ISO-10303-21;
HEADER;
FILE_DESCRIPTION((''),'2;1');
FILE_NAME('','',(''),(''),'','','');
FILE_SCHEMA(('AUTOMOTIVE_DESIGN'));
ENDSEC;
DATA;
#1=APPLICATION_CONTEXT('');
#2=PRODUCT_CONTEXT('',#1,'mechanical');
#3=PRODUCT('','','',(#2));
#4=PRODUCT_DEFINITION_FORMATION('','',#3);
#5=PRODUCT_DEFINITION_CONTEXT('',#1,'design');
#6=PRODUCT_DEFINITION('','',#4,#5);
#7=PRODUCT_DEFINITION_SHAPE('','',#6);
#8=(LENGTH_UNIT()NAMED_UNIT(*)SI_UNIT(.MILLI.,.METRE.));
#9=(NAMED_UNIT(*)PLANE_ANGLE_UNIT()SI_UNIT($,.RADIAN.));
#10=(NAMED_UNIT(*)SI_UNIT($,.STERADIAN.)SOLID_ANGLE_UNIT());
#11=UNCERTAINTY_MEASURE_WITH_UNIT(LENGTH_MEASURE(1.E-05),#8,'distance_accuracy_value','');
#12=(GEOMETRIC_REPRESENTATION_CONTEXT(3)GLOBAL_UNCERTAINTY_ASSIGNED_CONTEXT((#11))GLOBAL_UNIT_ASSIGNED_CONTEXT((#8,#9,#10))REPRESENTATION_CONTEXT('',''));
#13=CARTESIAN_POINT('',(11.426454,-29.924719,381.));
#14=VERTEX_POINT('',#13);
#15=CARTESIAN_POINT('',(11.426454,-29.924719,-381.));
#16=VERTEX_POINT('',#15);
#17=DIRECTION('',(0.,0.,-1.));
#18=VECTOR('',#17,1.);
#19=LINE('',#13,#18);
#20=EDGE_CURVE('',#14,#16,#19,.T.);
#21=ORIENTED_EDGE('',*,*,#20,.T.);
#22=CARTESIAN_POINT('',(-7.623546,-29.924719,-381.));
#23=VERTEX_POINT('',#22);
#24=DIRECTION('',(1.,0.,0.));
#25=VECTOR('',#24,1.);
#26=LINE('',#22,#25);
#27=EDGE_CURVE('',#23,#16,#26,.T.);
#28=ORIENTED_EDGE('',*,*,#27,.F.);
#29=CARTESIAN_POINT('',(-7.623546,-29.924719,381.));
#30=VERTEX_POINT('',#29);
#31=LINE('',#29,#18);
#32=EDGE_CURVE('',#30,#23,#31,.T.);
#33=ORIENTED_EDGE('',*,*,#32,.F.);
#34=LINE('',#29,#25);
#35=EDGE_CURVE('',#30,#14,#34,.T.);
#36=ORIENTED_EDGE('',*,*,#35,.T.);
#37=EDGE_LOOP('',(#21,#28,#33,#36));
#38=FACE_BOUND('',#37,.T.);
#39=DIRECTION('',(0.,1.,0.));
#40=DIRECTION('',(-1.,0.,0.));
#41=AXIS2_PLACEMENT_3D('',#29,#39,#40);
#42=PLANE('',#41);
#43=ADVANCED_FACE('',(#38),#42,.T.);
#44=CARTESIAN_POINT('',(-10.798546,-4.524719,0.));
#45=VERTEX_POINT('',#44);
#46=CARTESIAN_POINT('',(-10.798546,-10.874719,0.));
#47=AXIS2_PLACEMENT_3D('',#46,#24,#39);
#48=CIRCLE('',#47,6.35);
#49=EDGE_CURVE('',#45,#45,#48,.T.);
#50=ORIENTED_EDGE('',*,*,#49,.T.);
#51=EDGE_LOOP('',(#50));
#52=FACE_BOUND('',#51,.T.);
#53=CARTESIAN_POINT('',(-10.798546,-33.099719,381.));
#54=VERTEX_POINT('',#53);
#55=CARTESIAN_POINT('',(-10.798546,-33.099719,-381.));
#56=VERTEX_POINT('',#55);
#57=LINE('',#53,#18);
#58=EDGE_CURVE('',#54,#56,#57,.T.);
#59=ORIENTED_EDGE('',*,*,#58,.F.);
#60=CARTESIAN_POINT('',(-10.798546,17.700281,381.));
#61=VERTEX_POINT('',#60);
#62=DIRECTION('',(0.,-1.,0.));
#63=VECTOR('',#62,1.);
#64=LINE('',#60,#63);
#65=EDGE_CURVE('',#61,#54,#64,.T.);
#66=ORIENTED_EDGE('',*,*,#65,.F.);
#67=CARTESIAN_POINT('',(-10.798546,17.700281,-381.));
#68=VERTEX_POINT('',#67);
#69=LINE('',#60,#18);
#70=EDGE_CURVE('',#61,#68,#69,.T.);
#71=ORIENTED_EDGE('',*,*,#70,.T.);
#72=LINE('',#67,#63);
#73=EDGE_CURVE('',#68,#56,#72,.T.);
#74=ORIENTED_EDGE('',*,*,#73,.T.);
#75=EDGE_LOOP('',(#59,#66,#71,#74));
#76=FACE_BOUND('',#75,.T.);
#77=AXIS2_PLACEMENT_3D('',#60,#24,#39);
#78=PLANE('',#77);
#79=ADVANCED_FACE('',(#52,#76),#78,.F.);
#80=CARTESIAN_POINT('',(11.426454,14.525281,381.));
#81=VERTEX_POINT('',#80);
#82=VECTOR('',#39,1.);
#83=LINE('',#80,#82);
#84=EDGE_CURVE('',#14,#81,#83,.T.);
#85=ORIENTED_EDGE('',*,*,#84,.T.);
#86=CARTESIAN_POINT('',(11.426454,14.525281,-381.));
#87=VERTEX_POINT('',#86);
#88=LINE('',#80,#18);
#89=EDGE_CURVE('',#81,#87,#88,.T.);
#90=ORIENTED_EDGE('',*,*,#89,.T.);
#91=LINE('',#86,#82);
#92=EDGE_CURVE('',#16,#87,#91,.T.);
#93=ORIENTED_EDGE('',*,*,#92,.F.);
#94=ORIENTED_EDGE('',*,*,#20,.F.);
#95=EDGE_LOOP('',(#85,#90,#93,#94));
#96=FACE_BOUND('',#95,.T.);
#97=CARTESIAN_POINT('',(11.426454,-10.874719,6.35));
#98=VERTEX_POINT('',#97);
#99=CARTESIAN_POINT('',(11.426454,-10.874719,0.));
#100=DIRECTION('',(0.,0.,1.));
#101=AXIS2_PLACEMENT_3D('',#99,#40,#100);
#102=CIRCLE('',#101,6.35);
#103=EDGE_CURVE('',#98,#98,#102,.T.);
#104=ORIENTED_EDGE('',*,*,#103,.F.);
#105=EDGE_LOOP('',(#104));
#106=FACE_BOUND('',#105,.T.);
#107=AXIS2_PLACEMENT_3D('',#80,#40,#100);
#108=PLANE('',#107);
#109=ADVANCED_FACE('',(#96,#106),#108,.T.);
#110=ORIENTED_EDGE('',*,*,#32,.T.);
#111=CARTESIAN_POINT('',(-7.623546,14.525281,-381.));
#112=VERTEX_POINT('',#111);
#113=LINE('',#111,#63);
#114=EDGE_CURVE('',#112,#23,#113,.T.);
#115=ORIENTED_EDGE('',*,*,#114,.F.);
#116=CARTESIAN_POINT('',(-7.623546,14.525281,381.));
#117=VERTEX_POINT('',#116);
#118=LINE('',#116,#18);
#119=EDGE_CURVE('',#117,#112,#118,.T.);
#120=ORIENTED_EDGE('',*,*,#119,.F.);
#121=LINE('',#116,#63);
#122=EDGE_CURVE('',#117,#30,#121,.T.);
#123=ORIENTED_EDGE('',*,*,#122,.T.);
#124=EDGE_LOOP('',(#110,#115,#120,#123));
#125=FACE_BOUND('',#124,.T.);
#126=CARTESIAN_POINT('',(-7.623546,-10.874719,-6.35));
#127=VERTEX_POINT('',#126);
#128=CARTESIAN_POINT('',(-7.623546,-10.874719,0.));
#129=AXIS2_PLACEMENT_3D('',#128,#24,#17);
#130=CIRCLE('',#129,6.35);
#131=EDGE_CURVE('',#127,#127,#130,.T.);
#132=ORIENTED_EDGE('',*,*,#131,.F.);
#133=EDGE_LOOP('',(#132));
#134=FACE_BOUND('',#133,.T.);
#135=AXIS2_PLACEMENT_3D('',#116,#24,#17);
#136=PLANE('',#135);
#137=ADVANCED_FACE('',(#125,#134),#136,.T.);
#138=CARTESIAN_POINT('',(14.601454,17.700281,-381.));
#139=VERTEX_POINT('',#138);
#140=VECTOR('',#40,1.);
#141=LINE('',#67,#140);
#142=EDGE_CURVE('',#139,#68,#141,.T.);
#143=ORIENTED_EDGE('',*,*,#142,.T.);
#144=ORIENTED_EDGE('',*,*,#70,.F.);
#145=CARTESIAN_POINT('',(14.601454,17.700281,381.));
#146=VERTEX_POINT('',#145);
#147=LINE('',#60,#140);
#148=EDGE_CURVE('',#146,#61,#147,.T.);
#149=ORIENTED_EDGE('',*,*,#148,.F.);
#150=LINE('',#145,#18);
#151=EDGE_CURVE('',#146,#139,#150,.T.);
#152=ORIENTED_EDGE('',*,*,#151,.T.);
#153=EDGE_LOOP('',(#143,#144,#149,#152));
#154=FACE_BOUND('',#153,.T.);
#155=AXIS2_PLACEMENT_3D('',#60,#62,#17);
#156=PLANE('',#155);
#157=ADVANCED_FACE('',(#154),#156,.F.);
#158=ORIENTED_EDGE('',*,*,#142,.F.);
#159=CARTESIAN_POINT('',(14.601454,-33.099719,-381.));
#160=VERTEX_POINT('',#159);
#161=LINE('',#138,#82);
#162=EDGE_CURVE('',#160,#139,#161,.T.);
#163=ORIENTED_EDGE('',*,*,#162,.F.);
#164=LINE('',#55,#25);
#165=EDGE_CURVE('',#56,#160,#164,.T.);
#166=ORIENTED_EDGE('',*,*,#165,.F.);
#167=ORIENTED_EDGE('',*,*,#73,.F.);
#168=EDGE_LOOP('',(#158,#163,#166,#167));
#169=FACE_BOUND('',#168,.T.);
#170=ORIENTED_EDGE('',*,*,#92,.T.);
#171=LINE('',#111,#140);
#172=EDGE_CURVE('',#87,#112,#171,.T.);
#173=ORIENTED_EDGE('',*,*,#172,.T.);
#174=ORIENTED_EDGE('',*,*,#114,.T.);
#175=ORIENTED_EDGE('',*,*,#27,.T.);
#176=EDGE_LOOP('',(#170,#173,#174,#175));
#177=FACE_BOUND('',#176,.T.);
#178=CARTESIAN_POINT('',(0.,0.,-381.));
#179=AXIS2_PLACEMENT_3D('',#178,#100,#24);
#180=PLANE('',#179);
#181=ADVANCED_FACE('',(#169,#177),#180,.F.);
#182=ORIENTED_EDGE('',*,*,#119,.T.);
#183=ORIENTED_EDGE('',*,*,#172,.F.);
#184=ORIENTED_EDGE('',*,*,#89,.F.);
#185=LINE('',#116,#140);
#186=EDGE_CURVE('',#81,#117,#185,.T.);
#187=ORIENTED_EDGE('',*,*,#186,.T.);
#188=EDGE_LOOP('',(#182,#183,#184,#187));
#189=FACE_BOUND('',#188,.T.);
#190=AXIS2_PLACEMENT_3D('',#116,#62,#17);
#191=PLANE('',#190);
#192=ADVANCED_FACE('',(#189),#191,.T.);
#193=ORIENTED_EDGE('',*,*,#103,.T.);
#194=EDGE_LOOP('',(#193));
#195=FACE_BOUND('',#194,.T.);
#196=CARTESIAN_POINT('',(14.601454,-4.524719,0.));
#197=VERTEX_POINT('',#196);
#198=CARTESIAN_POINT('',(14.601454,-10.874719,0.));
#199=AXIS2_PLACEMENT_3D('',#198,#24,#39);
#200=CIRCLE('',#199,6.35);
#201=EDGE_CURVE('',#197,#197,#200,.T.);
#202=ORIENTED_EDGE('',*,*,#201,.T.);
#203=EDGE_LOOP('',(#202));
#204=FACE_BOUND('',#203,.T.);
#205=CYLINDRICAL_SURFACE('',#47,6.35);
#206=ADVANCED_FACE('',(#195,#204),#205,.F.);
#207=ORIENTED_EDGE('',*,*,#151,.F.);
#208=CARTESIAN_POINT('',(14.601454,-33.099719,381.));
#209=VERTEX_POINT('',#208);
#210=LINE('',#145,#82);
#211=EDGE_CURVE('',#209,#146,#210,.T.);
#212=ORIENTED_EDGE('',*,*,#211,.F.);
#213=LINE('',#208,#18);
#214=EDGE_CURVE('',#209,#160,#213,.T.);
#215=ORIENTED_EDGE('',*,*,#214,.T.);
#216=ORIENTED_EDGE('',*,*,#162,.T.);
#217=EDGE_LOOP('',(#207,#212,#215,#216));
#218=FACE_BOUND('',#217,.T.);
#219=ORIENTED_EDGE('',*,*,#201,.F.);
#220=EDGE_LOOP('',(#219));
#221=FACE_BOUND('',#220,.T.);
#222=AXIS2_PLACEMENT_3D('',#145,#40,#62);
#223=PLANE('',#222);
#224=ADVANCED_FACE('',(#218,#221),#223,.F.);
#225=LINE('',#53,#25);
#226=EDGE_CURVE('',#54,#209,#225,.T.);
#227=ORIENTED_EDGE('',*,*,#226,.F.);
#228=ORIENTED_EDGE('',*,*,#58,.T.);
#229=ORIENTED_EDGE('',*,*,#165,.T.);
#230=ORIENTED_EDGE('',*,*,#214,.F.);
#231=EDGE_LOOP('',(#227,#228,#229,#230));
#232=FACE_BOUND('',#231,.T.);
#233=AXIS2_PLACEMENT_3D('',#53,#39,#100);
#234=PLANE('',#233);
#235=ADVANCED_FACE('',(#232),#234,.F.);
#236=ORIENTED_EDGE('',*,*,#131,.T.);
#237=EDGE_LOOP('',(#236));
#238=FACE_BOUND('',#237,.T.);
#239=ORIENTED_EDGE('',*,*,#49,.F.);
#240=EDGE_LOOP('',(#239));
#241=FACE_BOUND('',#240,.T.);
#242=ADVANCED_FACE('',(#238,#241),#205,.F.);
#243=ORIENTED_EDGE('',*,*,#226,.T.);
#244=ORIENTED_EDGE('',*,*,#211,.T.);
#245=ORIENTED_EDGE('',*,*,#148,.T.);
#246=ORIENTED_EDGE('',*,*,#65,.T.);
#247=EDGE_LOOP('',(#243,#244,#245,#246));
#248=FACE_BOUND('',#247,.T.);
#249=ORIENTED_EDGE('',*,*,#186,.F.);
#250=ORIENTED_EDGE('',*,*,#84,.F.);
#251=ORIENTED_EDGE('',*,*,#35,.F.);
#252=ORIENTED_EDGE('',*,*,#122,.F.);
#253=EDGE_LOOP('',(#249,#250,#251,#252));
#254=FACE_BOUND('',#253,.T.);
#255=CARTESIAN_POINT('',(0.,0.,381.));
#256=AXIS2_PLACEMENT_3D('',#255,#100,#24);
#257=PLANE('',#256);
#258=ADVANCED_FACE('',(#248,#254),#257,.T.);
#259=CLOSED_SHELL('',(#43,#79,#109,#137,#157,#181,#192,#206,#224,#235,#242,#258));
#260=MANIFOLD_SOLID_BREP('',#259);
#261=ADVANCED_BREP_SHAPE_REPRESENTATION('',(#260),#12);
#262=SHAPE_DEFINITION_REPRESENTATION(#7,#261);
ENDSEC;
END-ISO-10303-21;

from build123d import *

# Parameters (mm, degrees)
SKETCH1_W           = 25.4
SKETCH1_H           = 50.8
SKETCH1_W_2         = 19.05
SKETCH1_H_2         = 44.45
BOSS_EXTRUDE1_DEPTH = 381
SKETCH2_R           = 6.35
CUT_EXTRUDE1_DEPTH  = 25.4


with BuildPart() as part:
    # Sketch1 → Boss-Extrude1 (new, symmetric)
    with BuildSketch(Plane.XY):
        with Locations((1.901454405, -7.699719174)):
            Rectangle(SKETCH1_W, SKETCH1_H)
        with Locations((1.901454405, -7.699719174)):
            Rectangle(SKETCH1_W_2, SKETCH1_H_2, mode=Mode.SUBTRACT)
    extrude(amount=BOSS_EXTRUDE1_DEPTH, both=True)

    # Sketch2 → Cut-Extrude1 (cut)
    with BuildSketch(Plane(origin=(14.601454405, 0, 0), x_dir=(0, 0, -1), z_dir=(1, 0, 0))):
        with Locations(Location((0, -10.874719174, 0), (0, 0, 90))):
            Circle(SKETCH2_R)
    extrude(amount=-CUT_EXTRUDE1_DEPTH, mode=Mode.SUBTRACT)


solid = part.part
